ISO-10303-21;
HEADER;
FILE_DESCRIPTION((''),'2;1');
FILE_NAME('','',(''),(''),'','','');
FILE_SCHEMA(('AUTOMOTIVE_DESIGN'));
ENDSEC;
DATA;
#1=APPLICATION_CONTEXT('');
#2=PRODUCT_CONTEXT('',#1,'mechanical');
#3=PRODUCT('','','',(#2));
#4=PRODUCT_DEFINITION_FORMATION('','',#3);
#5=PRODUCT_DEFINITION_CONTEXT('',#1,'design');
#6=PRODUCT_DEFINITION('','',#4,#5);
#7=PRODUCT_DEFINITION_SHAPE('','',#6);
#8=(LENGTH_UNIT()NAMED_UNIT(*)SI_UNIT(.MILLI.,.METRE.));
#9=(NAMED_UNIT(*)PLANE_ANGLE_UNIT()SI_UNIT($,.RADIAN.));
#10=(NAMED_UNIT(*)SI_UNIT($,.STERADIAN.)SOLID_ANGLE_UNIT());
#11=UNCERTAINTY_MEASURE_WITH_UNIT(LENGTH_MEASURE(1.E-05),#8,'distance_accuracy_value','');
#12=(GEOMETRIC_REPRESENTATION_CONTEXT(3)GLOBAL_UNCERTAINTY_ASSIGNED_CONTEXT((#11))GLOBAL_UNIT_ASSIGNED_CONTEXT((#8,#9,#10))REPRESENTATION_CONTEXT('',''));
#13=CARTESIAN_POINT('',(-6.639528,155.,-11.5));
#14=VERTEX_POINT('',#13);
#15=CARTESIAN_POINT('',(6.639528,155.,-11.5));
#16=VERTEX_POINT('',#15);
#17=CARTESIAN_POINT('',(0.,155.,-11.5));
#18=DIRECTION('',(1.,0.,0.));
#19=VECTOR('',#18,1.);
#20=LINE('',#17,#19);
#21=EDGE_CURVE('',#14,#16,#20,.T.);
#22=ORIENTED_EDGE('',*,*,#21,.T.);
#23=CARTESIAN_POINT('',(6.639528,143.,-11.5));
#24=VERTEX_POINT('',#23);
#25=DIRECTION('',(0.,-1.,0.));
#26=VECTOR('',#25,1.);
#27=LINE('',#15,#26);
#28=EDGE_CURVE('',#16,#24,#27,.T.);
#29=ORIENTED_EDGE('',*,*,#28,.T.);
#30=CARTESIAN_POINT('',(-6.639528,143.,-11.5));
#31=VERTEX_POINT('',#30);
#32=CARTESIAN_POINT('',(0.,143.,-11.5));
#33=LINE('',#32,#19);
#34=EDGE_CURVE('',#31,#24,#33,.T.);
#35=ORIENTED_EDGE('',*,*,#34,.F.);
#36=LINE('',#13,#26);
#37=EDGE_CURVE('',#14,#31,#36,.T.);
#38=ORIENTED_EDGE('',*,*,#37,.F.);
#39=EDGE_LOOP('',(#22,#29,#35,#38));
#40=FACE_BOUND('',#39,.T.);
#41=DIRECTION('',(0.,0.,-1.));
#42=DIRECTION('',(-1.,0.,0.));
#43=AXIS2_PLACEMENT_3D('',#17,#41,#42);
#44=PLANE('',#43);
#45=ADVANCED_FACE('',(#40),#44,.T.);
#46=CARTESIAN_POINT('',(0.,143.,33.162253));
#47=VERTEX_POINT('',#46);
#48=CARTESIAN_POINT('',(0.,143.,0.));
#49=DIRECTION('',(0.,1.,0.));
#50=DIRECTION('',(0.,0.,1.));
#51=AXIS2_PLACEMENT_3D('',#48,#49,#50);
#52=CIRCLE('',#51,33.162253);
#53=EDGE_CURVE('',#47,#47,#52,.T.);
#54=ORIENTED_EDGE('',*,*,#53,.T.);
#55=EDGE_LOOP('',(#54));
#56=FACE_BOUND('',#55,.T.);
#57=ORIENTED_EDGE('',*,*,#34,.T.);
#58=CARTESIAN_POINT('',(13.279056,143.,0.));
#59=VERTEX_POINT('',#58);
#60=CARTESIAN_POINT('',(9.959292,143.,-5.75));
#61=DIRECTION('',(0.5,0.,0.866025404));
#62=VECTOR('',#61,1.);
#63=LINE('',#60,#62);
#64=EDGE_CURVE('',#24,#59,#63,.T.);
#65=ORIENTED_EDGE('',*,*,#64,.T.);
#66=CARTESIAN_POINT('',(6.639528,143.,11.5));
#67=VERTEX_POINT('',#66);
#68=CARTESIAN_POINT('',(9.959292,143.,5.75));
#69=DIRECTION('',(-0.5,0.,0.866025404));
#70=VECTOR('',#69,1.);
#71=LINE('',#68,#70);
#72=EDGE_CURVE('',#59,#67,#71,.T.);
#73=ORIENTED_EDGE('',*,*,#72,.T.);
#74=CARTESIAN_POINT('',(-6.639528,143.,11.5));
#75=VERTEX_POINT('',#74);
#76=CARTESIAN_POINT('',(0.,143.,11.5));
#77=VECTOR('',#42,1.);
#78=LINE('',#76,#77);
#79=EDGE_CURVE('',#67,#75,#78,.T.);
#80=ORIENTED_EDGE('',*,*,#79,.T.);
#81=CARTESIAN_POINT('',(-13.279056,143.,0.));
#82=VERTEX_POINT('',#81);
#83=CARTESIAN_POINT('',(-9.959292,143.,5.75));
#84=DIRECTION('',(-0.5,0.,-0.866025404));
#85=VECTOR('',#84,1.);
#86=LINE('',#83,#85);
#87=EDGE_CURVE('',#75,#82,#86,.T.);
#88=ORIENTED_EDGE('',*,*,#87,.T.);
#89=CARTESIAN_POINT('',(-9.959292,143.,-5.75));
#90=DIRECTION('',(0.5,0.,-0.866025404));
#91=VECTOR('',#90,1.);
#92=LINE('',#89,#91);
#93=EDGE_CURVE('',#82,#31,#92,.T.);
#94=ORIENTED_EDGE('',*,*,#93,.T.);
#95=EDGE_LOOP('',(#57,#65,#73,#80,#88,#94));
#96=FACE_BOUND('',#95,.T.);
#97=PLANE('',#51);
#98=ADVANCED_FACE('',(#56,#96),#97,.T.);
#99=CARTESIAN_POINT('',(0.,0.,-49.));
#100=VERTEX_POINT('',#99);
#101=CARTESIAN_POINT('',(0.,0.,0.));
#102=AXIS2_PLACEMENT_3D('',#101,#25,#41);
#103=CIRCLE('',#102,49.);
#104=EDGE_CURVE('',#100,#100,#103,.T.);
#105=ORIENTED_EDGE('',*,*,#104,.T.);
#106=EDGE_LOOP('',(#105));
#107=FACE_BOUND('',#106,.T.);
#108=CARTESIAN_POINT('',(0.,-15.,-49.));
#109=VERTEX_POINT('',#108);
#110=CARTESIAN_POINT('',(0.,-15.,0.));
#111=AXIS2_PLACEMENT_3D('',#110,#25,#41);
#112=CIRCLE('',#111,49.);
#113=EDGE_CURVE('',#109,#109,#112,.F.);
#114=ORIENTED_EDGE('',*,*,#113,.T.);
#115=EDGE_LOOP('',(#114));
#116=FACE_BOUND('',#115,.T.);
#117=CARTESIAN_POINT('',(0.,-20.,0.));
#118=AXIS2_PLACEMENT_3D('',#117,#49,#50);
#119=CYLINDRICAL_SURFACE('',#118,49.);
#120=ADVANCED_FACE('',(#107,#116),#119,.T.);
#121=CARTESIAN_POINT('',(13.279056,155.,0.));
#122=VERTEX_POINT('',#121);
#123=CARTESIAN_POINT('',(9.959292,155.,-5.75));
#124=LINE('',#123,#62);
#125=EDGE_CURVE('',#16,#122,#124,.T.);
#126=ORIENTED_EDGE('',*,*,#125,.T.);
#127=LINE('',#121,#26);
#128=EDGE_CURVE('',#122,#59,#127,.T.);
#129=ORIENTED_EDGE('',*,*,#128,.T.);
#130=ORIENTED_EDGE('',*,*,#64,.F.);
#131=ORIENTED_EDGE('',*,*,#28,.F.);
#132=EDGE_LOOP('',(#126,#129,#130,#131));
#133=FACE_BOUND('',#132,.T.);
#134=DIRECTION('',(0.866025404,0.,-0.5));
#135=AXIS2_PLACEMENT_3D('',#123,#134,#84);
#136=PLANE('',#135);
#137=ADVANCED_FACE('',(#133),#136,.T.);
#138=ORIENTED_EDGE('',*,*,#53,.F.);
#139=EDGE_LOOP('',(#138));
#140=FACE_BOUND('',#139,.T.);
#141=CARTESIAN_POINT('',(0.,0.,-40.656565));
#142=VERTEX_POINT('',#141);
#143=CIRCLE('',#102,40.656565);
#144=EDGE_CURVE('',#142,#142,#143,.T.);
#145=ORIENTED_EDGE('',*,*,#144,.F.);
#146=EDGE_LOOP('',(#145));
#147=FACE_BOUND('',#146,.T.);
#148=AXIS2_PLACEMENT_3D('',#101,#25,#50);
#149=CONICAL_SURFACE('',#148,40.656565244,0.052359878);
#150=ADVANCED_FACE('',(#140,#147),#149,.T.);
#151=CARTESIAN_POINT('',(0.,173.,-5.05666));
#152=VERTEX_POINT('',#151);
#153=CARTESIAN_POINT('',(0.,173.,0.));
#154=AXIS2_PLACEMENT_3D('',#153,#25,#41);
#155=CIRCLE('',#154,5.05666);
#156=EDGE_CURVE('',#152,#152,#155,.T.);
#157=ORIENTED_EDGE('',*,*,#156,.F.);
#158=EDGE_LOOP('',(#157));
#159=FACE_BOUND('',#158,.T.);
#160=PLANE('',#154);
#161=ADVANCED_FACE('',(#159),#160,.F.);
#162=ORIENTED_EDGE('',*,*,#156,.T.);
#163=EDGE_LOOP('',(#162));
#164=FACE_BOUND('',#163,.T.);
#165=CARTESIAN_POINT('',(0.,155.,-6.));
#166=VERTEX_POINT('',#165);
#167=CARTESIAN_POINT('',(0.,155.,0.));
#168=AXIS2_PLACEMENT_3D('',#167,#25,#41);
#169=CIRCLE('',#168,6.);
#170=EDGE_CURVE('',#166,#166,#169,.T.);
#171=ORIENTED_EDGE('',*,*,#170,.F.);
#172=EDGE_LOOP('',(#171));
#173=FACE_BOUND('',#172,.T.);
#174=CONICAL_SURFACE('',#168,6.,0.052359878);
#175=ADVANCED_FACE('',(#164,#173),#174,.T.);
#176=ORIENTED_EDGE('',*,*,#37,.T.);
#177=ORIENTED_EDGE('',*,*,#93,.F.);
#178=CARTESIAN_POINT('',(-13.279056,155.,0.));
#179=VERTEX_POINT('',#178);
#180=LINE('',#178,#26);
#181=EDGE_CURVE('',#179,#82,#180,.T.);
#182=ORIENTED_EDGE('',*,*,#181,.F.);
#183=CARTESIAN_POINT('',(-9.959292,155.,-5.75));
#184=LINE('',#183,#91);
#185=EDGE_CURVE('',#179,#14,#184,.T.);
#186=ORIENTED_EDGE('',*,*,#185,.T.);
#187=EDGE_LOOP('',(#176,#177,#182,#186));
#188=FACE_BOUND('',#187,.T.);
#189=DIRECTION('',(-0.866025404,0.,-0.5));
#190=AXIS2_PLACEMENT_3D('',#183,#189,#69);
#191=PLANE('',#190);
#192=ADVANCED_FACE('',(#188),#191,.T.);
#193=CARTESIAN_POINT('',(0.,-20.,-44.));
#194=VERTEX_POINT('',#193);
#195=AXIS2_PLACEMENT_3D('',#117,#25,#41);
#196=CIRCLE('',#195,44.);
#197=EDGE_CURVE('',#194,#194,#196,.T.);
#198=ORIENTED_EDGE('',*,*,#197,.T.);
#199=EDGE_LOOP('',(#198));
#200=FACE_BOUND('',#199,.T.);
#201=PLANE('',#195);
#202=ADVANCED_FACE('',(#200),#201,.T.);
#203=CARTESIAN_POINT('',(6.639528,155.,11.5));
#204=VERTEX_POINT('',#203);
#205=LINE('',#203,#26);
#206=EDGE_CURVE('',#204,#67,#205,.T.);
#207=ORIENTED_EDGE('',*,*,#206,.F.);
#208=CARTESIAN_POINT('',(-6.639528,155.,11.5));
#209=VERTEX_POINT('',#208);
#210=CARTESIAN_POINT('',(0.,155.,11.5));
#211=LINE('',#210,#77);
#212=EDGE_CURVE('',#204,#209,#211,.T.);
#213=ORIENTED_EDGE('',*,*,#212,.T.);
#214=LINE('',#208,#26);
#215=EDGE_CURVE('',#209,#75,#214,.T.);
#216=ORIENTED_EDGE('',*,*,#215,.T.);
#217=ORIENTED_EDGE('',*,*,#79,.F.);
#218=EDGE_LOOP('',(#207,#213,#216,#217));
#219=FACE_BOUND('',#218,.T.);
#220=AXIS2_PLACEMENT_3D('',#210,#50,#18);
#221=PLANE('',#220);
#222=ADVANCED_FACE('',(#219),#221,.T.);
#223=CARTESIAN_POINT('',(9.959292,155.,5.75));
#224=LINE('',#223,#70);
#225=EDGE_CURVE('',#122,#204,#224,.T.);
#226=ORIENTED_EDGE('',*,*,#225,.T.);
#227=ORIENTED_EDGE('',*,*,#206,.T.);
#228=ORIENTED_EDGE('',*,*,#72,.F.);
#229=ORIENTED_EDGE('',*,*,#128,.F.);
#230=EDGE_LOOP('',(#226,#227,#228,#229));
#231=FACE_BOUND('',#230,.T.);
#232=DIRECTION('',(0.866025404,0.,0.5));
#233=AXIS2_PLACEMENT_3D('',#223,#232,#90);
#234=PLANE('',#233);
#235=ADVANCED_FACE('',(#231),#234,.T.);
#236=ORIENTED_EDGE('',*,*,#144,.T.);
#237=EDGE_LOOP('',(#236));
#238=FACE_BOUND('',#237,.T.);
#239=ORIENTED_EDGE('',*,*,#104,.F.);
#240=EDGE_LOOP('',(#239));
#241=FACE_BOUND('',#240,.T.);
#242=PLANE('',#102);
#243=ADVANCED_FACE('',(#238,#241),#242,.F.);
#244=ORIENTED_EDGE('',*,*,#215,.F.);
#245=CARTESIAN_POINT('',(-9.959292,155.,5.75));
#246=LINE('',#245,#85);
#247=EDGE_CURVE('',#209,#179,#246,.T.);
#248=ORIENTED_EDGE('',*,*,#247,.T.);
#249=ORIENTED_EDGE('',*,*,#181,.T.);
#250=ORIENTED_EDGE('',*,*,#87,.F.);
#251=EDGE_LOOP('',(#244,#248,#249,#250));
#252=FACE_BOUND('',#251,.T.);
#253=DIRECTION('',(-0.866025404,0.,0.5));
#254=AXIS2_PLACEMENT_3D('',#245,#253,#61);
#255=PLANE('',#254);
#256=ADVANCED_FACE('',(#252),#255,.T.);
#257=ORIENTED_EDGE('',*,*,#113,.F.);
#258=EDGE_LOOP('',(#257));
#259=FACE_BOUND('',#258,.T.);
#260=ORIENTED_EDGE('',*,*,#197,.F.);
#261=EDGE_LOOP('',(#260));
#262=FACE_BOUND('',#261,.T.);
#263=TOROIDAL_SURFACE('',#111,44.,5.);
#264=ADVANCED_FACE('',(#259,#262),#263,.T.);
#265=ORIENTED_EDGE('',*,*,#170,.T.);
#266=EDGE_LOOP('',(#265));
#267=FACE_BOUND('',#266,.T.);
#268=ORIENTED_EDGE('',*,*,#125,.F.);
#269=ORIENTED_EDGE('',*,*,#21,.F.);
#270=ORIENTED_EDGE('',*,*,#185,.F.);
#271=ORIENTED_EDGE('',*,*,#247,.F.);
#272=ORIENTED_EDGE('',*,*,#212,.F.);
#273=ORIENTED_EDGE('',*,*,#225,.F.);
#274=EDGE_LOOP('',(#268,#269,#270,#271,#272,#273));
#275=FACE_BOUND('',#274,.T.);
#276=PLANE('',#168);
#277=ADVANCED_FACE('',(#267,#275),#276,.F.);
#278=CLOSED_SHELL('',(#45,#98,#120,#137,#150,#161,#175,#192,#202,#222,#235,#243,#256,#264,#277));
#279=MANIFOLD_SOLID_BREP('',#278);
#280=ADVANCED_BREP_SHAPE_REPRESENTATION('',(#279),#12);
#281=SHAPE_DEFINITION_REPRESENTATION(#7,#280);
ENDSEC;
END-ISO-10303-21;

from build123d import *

# Parameters (mm, degrees)
SKETCH1_R           = 40.656565244
BOSS_EXTRUDE2_DEPTH = 143
BOSS_EXTRUDE2_TAPER = 3
SKETCH2_R           = 49
BOSS_EXTRUDE3_DEPTH = 20
FILLET1_R           = 5
BOSS_EXTRUDE4_START = 143
BOSS_EXTRUDE4_DEPTH = 12
BOSS_EXTRUDE5_START = 155
SKETCH4_R           = 6
BOSS_EXTRUDE5_DEPTH = 18
BOSS_EXTRUDE5_TAPER = 3


with BuildPart() as part:
    # Sketch1 → Boss-Extrude2 (new body)
    with BuildSketch(Plane(origin=(0, 0, 0), x_dir=(1, 0, 0), z_dir=(0, 1, 0))):
        Circle(SKETCH1_R)
    extrude(amount=BOSS_EXTRUDE2_DEPTH, taper=BOSS_EXTRUDE2_TAPER)

    # Sketch2 → Boss-Extrude3 (add)
    with BuildSketch(Plane(origin=(0, 0, 0), x_dir=(-1, 0, 0), z_dir=(0, -1, 0))):
        Circle(SKETCH2_R)
    extrude(amount=BOSS_EXTRUDE3_DEPTH)

    # Fillet1
    fillet1_edges = [part.edges().sort_by_distance(p)[0] for p in [
        (49, -20, 0),
    ]]
    fillet(fillet1_edges, radius=FILLET1_R)

    # Sketch3 → Boss-Extrude4 (add)
    with BuildSketch(Plane(origin=(0, 0, 0), x_dir=(1, 0, 0), z_dir=(0, 1, 0)).offset(BOSS_EXTRUDE4_START)):
        Polygon((6.639528096, -11.5), (13.279056191, 0), (6.639528096, 11.5), (-6.639528096, 11.5), (-13.279056191, 0), (-6.639528096, -11.5), align=None)
    extrude(amount=BOSS_EXTRUDE4_DEPTH)

    # Sketch4 → Boss-Extrude5 (add)
    with BuildSketch(Plane(origin=(0, 0, 0), x_dir=(1, 0, 0), z_dir=(0, 1, 0)).offset(BOSS_EXTRUDE5_START)):
        Circle(SKETCH4_R)
    extrude(amount=BOSS_EXTRUDE5_DEPTH, taper=BOSS_EXTRUDE5_TAPER)


solid = part.part
